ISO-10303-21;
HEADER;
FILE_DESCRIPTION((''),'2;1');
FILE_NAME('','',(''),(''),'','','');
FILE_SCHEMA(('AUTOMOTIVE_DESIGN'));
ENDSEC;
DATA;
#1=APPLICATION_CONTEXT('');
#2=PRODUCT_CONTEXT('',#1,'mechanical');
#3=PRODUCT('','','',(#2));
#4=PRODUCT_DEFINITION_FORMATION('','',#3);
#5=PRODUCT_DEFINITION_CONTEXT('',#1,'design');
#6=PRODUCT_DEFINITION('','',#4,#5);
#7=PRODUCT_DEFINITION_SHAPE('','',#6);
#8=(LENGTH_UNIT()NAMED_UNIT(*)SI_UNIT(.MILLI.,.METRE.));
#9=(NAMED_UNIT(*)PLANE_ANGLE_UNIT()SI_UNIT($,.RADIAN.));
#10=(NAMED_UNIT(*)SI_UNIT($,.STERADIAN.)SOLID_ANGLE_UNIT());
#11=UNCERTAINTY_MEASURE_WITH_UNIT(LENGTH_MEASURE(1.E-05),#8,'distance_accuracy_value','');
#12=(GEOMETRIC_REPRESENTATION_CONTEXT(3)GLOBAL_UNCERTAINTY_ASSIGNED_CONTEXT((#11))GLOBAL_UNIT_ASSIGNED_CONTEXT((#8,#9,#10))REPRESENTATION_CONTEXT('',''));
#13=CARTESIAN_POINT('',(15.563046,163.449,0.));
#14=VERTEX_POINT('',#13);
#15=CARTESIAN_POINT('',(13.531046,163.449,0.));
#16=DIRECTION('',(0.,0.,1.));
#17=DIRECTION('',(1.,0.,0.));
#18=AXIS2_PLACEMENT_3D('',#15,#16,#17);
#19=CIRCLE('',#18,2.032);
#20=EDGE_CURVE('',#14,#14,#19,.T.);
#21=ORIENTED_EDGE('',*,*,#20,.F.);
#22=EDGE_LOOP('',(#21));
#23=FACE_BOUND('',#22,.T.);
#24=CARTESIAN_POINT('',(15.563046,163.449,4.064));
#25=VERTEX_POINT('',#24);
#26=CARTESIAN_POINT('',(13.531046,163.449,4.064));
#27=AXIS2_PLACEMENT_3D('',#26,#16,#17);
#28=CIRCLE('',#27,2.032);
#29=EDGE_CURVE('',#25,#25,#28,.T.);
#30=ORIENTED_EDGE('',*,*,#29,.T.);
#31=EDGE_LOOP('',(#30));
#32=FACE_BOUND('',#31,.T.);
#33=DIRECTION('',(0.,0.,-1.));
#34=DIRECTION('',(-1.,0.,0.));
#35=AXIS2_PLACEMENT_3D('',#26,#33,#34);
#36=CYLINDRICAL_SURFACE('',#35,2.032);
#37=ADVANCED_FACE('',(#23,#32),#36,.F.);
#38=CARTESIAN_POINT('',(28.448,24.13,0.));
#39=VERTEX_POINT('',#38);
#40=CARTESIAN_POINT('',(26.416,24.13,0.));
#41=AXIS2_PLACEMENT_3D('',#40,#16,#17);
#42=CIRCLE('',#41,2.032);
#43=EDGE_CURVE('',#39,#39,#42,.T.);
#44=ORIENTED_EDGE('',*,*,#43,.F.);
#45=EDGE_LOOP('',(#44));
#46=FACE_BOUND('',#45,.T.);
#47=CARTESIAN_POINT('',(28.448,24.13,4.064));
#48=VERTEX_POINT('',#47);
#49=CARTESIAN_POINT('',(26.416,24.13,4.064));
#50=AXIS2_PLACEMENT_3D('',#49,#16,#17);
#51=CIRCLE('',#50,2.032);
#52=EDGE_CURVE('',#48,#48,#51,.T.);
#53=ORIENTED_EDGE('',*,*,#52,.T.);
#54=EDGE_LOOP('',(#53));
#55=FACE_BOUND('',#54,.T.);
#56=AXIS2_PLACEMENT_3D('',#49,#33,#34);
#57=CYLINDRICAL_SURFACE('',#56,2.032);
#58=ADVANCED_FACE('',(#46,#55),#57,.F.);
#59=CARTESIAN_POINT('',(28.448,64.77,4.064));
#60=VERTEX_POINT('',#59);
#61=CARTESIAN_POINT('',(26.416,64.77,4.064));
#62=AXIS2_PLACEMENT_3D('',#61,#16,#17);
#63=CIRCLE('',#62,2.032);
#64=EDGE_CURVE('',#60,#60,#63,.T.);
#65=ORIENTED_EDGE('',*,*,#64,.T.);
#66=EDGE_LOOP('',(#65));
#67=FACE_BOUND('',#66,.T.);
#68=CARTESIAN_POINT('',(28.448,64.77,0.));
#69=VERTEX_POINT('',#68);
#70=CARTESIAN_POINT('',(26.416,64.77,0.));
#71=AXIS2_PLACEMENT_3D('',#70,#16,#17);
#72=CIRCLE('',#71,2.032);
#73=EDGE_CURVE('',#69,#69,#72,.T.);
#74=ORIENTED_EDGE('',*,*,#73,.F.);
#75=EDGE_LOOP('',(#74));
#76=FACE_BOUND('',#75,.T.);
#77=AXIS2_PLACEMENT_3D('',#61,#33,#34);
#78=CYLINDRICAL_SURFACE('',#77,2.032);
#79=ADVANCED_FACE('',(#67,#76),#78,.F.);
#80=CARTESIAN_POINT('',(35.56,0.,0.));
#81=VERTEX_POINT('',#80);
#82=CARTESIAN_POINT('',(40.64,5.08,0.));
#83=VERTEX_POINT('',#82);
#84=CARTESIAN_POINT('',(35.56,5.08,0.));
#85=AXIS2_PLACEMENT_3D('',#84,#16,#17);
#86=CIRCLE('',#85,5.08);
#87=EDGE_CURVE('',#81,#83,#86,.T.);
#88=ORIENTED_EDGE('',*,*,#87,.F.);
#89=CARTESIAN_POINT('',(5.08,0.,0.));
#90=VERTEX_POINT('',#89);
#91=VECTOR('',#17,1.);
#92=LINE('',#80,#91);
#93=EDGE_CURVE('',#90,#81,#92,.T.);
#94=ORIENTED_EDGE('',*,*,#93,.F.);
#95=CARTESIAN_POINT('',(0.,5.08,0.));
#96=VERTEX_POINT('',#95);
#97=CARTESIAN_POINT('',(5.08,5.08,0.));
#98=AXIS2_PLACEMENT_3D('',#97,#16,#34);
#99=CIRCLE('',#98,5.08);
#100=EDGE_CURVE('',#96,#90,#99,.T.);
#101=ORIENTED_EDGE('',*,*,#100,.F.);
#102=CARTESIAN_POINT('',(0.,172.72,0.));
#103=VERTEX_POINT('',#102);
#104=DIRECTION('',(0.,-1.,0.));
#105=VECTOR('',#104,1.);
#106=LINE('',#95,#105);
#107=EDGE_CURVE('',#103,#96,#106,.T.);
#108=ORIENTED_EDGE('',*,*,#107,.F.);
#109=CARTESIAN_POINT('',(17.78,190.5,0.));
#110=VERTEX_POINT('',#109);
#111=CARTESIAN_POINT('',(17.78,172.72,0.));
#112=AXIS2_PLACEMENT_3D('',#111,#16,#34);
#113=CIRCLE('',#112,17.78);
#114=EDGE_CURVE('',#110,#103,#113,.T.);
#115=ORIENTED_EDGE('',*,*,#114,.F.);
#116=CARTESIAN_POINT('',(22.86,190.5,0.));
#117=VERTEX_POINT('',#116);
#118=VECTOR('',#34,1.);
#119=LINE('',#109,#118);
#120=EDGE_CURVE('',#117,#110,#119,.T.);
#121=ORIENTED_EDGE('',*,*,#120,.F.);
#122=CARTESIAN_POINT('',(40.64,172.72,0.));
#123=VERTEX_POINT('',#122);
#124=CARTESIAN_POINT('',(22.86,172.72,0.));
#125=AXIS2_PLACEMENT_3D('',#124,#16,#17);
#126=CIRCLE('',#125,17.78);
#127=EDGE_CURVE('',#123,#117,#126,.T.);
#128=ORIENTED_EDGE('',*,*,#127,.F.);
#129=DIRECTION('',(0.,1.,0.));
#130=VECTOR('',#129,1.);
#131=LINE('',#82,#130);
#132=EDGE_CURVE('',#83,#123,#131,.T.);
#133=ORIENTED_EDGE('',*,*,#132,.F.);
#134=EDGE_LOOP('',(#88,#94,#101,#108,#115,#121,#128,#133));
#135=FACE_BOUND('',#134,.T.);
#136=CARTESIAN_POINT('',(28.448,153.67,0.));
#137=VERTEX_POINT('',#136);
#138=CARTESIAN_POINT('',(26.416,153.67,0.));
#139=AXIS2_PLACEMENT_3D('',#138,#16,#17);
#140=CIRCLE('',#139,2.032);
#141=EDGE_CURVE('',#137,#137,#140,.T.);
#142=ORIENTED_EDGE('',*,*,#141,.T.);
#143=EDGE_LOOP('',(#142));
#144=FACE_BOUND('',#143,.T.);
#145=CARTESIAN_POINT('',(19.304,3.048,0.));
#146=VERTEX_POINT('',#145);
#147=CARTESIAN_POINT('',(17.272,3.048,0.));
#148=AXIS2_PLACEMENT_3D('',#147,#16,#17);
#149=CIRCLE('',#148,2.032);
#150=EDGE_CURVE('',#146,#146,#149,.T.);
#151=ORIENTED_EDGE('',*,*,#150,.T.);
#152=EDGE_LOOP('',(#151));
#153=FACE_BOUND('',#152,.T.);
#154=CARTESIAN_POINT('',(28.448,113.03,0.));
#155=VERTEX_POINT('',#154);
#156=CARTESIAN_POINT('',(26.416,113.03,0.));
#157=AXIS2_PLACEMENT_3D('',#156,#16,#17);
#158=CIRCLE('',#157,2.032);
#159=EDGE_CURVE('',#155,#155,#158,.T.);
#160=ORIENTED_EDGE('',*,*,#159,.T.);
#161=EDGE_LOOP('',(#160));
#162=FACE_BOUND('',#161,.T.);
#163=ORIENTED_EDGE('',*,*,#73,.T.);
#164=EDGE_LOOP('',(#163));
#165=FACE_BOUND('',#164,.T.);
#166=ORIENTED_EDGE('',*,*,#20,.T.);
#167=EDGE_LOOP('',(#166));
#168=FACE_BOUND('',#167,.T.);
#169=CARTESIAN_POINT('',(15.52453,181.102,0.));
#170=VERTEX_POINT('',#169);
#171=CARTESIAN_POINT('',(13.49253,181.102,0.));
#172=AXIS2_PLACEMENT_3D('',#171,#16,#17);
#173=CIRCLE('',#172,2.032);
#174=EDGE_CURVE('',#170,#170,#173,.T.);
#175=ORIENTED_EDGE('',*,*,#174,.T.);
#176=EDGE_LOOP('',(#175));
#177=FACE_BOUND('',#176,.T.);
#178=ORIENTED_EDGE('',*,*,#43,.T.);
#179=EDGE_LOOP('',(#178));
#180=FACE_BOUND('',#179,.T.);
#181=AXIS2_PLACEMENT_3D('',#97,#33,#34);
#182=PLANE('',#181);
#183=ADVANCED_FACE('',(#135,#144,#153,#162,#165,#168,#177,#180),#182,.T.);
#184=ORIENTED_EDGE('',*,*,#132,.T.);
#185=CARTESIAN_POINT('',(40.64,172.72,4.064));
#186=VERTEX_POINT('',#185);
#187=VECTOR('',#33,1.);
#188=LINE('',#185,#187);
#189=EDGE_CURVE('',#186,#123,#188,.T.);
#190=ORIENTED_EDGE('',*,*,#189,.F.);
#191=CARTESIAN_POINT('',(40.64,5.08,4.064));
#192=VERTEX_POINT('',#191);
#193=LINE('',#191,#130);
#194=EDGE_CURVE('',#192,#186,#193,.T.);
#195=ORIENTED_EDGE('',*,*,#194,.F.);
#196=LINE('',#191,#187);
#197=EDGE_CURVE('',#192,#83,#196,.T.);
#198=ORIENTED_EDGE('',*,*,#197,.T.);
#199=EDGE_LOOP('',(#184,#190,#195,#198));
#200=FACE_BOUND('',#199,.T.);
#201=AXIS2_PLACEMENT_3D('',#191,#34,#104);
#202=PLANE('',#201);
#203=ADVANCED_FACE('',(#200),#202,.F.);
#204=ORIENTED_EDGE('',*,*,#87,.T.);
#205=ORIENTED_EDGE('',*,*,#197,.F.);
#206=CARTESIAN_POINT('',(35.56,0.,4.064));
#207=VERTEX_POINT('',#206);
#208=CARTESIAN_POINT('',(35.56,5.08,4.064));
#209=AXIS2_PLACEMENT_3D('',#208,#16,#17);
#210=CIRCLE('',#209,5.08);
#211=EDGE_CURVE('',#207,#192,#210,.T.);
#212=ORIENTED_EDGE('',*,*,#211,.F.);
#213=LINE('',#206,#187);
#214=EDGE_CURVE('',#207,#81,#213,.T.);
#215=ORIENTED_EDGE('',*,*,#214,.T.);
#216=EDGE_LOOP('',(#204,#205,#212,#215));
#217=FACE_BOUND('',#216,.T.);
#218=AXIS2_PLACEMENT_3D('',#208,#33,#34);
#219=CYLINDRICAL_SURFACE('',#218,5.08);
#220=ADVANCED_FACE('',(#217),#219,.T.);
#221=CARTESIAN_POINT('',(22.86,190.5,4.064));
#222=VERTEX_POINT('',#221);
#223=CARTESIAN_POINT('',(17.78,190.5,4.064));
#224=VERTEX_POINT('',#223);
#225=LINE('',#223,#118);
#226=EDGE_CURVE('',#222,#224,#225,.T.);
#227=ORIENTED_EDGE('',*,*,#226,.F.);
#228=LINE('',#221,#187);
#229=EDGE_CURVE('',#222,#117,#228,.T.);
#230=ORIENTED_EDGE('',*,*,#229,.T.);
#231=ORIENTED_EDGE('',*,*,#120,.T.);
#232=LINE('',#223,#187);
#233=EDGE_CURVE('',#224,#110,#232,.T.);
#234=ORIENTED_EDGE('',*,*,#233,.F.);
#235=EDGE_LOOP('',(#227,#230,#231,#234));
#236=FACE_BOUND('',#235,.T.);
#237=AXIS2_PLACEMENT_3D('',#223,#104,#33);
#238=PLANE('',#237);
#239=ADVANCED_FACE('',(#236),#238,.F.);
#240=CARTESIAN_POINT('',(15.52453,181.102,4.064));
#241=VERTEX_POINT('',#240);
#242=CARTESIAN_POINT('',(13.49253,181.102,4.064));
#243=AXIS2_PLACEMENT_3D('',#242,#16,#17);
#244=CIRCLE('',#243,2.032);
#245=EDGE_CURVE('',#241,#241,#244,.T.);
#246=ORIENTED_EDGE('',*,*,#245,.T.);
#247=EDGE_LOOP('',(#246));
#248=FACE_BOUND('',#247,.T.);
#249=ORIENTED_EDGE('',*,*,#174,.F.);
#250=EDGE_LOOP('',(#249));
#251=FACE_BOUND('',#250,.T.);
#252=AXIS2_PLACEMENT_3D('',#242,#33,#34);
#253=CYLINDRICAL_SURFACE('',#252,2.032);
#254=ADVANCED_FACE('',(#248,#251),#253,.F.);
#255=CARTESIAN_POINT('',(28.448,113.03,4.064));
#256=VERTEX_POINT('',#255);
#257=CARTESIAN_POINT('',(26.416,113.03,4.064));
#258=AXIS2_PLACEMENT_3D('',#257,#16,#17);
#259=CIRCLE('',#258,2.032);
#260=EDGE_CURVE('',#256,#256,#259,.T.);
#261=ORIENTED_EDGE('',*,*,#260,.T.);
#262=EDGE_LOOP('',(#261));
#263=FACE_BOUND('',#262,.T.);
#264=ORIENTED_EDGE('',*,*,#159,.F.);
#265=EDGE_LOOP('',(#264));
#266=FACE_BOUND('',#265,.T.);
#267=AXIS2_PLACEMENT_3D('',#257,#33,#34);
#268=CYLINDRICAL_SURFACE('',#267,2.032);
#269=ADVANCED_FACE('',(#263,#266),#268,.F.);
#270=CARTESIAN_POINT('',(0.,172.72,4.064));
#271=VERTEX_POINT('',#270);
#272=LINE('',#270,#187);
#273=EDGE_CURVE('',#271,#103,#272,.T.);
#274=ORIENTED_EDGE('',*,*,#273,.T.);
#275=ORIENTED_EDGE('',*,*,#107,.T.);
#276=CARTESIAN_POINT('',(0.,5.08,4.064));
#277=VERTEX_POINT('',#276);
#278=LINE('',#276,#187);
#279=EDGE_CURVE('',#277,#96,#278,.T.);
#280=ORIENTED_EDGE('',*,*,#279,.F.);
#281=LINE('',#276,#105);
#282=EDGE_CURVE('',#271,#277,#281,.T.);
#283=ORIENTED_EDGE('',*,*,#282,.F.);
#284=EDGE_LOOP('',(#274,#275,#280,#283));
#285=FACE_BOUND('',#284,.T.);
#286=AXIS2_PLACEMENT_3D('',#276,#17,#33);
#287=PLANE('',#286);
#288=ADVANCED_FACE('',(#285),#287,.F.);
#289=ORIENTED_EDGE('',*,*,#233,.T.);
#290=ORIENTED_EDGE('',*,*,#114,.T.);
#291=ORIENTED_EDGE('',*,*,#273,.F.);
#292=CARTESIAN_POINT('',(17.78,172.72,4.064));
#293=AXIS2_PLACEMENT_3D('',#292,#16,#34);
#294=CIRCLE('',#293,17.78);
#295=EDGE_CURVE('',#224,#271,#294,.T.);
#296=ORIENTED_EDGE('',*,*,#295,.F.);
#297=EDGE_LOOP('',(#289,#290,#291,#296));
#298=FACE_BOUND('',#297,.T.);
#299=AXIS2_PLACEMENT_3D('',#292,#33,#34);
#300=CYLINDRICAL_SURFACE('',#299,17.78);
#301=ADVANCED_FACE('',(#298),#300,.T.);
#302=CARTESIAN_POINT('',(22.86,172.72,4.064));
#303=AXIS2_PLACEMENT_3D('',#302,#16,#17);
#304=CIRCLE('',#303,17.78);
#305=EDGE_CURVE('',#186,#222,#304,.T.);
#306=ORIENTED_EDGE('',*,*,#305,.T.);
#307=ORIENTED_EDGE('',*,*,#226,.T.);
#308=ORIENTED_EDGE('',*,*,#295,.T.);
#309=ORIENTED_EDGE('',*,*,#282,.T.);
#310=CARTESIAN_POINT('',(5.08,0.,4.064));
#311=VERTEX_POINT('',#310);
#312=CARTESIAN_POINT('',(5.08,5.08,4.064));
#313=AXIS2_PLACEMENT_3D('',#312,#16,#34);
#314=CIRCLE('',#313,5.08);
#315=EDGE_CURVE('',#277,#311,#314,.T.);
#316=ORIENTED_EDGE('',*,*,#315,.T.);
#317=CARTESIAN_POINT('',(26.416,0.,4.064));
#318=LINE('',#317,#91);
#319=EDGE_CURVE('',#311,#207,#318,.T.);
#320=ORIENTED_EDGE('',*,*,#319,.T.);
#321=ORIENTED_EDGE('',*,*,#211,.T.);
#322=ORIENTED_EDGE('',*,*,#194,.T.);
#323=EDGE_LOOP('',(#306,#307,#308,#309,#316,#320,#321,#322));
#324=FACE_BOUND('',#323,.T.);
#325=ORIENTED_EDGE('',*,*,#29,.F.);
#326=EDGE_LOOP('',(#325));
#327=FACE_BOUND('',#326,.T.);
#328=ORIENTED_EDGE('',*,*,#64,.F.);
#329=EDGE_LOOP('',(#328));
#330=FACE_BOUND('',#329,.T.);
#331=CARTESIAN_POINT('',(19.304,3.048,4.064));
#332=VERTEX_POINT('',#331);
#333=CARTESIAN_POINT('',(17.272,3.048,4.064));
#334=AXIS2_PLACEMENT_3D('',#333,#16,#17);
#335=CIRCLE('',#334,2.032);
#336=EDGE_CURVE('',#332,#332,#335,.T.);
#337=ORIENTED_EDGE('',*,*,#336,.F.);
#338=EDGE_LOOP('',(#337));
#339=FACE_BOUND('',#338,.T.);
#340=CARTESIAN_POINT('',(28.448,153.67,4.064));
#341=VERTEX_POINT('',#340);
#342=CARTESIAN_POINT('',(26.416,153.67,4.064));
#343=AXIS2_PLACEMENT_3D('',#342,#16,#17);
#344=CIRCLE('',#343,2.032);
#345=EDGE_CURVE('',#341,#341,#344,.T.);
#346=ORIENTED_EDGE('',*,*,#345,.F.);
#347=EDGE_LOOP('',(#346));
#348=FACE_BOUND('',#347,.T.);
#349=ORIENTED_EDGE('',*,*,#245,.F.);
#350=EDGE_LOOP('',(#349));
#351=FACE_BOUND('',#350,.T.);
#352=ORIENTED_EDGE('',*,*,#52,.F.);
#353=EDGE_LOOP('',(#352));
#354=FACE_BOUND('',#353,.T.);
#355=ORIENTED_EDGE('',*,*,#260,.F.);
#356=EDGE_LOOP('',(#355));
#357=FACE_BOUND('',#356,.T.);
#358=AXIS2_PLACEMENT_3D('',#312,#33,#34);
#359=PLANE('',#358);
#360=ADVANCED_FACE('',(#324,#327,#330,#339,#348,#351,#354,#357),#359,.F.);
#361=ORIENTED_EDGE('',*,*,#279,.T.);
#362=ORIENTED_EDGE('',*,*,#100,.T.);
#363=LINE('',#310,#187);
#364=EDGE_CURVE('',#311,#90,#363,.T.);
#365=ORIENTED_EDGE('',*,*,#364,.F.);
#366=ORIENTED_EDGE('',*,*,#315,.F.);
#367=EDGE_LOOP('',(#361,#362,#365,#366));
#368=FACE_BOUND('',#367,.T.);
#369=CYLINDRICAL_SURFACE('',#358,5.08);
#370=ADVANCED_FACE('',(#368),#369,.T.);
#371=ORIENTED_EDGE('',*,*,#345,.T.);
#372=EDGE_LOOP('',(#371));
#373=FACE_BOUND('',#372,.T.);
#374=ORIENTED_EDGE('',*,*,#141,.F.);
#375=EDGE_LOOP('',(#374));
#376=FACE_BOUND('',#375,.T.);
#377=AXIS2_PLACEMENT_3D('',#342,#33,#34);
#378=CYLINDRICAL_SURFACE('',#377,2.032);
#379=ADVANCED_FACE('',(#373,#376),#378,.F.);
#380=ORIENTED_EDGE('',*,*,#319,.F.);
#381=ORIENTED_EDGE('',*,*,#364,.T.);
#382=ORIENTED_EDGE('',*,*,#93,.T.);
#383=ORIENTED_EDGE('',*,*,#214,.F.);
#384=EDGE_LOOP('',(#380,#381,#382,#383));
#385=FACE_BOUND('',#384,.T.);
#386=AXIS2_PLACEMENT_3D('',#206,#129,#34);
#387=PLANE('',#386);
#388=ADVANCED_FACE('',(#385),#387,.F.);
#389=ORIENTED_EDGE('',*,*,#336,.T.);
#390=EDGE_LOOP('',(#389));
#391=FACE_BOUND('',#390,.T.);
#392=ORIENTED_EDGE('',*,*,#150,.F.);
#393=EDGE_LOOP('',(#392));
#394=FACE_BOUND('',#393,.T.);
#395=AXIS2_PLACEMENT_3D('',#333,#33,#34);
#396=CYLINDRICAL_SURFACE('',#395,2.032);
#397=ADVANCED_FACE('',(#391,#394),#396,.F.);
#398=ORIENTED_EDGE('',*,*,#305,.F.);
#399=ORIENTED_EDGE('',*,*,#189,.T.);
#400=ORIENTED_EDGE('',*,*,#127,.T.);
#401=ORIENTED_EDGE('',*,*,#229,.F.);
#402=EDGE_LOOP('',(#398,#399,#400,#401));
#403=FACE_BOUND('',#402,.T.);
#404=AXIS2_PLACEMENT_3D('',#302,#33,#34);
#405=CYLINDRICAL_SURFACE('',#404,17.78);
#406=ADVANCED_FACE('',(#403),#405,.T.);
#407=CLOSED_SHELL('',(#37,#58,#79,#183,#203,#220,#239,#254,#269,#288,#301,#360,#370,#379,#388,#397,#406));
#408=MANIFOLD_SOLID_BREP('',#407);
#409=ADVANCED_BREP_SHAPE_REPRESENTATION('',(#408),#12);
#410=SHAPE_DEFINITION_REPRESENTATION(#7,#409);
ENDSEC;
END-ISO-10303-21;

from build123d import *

# Parameters (mm, degrees)
SKETCH1_R           = 2.032
BOSS_EXTRUDE2_DEPTH = 4.064


with BuildPart() as part:
    # Sketch1 → Boss-Extrude2 (new body)
    with BuildSketch(Plane.XY):
        with BuildLine():
            Line((40.64, 5.08), (40.64, 172.72))
            ThreePointArc((40.64, 172.72), (35.432358569, 185.292358569), (22.86, 190.5))
            Line((22.86, 190.5), (17.78, 190.5))
            ThreePointArc((17.78, 190.5), (5.207641431, 185.292358569), (0, 172.72))
            Line((0, 172.72), (0, 5.08))
            ThreePointArc((0, 5.08), (1.487897552, 1.487897552), (5.08, 0))
            Line((5.08, 0), (26.416, 0))
            Line((26.416, 0), (35.56, 0))
            ThreePointArc((35.56, 0), (39.152102448, 1.487897552), (40.64, 5.08))
        make_face()
        with Locations((26.416, 24.13)):
            Circle(SKETCH1_R, mode=Mode.SUBTRACT)
        with Locations((26.416, 64.77)):
            Circle(SKETCH1_R, mode=Mode.SUBTRACT)
        with Locations((26.416, 113.03)):
            Circle(SKETCH1_R, mode=Mode.SUBTRACT)
        with Locations((26.416, 153.67)):
            Circle(SKETCH1_R, mode=Mode.SUBTRACT)
        with Locations((17.272, 3.048)):
            Circle(SKETCH1_R, mode=Mode.SUBTRACT)
        with Locations((13.531045562, 163.449)):
            Circle(SKETCH1_R, mode=Mode.SUBTRACT)
        with Locations((13.492529792, 181.102)):
            Circle(SKETCH1_R, mode=Mode.SUBTRACT)
    extrude(amount=BOSS_EXTRUDE2_DEPTH)


solid = part.part
